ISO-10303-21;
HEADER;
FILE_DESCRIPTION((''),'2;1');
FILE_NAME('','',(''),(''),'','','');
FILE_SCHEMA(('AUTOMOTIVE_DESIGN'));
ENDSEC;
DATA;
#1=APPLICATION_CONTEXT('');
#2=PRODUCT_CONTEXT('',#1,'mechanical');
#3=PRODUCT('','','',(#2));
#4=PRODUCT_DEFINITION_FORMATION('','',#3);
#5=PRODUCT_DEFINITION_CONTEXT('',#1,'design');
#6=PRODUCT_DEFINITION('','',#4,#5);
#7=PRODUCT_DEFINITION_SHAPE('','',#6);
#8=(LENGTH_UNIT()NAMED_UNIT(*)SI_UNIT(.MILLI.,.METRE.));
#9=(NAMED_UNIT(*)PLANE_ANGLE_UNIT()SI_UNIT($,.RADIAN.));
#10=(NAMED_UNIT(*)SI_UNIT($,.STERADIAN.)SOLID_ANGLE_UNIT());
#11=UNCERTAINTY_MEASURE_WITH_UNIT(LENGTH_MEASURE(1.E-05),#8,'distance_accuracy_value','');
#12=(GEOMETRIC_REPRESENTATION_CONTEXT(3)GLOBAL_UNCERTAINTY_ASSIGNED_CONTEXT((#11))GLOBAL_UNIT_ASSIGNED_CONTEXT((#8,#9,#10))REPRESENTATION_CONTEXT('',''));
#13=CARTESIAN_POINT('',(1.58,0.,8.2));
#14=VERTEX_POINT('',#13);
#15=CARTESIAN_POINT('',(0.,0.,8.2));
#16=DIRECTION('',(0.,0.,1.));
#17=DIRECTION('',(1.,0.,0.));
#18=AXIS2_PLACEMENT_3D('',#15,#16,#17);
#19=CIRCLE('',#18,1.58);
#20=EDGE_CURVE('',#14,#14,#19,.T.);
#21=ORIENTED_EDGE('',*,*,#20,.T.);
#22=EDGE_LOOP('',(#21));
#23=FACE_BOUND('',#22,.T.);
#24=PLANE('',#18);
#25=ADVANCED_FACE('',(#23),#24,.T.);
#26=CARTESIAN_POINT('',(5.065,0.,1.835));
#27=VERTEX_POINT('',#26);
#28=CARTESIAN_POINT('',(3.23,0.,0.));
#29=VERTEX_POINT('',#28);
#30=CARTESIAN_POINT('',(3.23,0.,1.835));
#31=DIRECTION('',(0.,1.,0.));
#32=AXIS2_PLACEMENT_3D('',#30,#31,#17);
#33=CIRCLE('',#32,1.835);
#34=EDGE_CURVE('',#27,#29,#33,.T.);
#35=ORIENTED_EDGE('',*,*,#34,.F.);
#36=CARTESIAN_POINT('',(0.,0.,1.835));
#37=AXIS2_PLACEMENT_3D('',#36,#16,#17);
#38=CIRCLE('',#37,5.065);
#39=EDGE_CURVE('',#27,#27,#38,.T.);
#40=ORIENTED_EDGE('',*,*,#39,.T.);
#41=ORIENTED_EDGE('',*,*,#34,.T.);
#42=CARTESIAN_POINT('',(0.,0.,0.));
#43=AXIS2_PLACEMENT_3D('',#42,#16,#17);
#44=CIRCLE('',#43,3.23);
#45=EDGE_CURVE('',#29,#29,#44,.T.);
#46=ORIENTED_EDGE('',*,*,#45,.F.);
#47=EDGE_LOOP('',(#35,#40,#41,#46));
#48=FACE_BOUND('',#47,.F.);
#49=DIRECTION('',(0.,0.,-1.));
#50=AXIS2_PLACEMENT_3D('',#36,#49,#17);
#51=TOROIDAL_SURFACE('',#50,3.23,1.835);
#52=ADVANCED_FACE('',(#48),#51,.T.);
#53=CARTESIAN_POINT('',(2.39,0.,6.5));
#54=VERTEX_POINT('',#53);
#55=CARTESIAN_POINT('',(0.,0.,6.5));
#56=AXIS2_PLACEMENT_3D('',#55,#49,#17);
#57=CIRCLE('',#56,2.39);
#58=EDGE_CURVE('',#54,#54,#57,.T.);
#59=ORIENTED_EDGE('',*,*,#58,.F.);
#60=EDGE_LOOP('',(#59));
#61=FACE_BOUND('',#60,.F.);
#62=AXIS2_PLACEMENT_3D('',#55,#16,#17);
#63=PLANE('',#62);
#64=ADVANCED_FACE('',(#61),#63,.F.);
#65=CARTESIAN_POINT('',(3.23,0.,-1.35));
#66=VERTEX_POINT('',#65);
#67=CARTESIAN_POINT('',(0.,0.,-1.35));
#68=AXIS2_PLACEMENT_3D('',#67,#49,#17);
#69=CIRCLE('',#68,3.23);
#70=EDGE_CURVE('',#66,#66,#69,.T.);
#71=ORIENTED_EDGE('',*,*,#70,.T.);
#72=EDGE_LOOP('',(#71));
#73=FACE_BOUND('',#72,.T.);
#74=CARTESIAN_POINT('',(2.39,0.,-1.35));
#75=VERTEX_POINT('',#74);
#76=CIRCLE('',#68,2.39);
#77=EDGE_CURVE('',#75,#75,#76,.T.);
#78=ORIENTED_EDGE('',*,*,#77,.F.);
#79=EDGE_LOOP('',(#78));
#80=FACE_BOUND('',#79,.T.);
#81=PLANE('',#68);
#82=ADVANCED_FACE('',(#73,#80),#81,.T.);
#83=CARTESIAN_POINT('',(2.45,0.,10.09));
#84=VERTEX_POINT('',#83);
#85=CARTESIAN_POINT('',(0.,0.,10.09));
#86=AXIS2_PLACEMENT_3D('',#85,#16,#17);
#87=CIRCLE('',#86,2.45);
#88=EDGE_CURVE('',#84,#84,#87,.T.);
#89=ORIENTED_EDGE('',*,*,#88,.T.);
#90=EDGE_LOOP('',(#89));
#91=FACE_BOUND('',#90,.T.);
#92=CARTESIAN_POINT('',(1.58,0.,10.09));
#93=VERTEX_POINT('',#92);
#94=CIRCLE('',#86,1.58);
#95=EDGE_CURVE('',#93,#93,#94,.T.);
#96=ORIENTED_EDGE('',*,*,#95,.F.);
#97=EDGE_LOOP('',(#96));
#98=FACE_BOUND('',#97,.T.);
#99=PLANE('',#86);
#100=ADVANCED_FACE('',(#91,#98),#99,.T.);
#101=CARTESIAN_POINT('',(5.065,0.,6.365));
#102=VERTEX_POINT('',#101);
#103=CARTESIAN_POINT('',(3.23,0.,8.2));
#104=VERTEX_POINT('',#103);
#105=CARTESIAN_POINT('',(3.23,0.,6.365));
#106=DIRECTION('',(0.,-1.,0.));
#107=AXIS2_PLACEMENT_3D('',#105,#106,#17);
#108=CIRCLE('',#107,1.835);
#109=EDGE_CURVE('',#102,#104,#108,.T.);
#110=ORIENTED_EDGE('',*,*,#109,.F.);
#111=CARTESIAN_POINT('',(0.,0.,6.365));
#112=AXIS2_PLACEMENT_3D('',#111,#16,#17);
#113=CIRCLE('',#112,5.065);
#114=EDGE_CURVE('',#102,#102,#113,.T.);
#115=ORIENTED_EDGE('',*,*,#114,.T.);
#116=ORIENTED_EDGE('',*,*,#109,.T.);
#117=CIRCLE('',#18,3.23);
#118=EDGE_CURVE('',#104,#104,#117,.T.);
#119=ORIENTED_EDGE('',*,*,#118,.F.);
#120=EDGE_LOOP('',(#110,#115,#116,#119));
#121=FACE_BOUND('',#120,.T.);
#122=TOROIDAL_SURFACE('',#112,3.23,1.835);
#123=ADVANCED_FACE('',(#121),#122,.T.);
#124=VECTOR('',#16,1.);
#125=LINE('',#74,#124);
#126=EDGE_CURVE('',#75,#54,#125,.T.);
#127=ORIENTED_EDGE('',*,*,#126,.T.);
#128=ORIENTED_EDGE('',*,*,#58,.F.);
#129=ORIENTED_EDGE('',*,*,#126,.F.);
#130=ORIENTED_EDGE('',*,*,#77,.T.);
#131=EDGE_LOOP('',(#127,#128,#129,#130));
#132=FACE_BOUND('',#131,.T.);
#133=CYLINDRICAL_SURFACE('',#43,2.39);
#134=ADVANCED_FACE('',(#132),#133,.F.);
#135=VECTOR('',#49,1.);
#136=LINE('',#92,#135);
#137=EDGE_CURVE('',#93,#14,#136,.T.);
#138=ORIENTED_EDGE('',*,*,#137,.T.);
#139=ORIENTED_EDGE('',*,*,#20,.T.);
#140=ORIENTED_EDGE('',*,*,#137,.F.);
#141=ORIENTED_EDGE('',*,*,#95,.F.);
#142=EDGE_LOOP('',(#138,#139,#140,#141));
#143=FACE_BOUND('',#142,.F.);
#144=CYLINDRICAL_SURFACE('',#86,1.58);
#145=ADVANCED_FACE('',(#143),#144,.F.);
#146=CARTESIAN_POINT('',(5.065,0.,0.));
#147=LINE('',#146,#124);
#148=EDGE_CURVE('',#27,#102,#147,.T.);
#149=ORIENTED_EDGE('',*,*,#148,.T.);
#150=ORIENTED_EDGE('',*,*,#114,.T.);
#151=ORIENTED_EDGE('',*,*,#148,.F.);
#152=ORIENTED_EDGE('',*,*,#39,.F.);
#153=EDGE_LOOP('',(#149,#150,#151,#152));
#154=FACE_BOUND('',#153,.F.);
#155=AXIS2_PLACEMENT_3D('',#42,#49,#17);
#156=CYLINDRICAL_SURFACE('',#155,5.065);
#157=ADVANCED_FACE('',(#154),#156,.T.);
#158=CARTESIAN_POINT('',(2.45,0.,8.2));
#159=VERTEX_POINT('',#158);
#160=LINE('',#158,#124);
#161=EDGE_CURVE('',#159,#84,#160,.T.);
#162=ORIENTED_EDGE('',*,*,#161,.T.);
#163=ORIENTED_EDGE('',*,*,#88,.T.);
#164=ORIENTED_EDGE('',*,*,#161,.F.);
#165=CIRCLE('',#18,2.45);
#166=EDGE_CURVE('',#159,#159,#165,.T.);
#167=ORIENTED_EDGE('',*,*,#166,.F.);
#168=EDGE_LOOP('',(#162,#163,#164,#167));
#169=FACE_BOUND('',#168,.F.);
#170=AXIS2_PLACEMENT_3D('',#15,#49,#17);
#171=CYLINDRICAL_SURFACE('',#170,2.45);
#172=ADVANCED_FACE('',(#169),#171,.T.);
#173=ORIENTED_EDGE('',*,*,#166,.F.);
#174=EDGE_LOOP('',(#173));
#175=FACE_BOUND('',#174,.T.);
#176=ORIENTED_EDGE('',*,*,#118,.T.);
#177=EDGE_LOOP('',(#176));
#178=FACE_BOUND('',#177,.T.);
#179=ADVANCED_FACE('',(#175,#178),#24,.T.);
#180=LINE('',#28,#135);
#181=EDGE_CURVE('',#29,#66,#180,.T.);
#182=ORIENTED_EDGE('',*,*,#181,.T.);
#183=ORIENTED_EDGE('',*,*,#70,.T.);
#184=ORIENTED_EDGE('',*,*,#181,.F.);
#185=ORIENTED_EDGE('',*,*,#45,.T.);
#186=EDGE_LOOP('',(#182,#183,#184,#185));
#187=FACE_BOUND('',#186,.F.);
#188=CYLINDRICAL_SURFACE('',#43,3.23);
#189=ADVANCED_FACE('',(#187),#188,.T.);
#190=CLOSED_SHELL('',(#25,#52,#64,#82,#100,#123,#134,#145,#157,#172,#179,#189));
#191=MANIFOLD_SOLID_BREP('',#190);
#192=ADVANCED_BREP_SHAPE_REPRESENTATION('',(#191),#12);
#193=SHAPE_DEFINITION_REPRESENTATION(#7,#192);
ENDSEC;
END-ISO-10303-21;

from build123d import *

# Parameters (mm, degrees)
F0_R     = 5.065
F1_DEPTH = 8.2
F2_R     = 1.835
F3_R     = 2.45
F4_DEPTH = 1.89
F5_R     = 1.58
F6_DEPTH = 1.89
F7_R     = 3.23
F7_R_2   = 2.39
F8_DEPTH = 1.35
F9_DEPTH = 6.5


with BuildPart() as f1:
    # F0 (on Top) → F1 (new body)
    with BuildSketch(Plane.XY):
        Circle(F0_R)
    extrude(amount=F1_DEPTH)

    # F2
    f2_edges = [f1.edges().sort_by_distance(p)[0] for p in [
        (-5.065, 0, 8.2),
        (-5.065, 0, 0),
    ]]
    fillet(f2_edges, radius=F2_R)

    # F3 (on face) → F4 (join)
    with BuildSketch(Plane.XY.offset(8.2)):
        Circle(F3_R)
    extrude(amount=F4_DEPTH)

    # F5 (on face) → F6 (cut)
    with BuildSketch(Plane.XY.offset(10.09)):
        Circle(F5_R)
    extrude(amount=-F6_DEPTH, mode=Mode.SUBTRACT)

    # F7 (on face) → F8 (join)
    with BuildSketch(Plane(origin=(0, 0, 0), x_dir=(1, 0, 0), z_dir=(0, 0, -1))):
        Circle(F7_R)
        Circle(F7_R_2, mode=Mode.SUBTRACT)
    extrude(amount=F8_DEPTH)

    # F9 (cut): a face of the model
    f9_faces = [f1.faces().sort_by_distance(p)[0] for p in [
        (0, 0, 0),
    ]]
    extrude(f9_faces, amount=-F9_DEPTH, mode=Mode.SUBTRACT)


solid = f1.part
